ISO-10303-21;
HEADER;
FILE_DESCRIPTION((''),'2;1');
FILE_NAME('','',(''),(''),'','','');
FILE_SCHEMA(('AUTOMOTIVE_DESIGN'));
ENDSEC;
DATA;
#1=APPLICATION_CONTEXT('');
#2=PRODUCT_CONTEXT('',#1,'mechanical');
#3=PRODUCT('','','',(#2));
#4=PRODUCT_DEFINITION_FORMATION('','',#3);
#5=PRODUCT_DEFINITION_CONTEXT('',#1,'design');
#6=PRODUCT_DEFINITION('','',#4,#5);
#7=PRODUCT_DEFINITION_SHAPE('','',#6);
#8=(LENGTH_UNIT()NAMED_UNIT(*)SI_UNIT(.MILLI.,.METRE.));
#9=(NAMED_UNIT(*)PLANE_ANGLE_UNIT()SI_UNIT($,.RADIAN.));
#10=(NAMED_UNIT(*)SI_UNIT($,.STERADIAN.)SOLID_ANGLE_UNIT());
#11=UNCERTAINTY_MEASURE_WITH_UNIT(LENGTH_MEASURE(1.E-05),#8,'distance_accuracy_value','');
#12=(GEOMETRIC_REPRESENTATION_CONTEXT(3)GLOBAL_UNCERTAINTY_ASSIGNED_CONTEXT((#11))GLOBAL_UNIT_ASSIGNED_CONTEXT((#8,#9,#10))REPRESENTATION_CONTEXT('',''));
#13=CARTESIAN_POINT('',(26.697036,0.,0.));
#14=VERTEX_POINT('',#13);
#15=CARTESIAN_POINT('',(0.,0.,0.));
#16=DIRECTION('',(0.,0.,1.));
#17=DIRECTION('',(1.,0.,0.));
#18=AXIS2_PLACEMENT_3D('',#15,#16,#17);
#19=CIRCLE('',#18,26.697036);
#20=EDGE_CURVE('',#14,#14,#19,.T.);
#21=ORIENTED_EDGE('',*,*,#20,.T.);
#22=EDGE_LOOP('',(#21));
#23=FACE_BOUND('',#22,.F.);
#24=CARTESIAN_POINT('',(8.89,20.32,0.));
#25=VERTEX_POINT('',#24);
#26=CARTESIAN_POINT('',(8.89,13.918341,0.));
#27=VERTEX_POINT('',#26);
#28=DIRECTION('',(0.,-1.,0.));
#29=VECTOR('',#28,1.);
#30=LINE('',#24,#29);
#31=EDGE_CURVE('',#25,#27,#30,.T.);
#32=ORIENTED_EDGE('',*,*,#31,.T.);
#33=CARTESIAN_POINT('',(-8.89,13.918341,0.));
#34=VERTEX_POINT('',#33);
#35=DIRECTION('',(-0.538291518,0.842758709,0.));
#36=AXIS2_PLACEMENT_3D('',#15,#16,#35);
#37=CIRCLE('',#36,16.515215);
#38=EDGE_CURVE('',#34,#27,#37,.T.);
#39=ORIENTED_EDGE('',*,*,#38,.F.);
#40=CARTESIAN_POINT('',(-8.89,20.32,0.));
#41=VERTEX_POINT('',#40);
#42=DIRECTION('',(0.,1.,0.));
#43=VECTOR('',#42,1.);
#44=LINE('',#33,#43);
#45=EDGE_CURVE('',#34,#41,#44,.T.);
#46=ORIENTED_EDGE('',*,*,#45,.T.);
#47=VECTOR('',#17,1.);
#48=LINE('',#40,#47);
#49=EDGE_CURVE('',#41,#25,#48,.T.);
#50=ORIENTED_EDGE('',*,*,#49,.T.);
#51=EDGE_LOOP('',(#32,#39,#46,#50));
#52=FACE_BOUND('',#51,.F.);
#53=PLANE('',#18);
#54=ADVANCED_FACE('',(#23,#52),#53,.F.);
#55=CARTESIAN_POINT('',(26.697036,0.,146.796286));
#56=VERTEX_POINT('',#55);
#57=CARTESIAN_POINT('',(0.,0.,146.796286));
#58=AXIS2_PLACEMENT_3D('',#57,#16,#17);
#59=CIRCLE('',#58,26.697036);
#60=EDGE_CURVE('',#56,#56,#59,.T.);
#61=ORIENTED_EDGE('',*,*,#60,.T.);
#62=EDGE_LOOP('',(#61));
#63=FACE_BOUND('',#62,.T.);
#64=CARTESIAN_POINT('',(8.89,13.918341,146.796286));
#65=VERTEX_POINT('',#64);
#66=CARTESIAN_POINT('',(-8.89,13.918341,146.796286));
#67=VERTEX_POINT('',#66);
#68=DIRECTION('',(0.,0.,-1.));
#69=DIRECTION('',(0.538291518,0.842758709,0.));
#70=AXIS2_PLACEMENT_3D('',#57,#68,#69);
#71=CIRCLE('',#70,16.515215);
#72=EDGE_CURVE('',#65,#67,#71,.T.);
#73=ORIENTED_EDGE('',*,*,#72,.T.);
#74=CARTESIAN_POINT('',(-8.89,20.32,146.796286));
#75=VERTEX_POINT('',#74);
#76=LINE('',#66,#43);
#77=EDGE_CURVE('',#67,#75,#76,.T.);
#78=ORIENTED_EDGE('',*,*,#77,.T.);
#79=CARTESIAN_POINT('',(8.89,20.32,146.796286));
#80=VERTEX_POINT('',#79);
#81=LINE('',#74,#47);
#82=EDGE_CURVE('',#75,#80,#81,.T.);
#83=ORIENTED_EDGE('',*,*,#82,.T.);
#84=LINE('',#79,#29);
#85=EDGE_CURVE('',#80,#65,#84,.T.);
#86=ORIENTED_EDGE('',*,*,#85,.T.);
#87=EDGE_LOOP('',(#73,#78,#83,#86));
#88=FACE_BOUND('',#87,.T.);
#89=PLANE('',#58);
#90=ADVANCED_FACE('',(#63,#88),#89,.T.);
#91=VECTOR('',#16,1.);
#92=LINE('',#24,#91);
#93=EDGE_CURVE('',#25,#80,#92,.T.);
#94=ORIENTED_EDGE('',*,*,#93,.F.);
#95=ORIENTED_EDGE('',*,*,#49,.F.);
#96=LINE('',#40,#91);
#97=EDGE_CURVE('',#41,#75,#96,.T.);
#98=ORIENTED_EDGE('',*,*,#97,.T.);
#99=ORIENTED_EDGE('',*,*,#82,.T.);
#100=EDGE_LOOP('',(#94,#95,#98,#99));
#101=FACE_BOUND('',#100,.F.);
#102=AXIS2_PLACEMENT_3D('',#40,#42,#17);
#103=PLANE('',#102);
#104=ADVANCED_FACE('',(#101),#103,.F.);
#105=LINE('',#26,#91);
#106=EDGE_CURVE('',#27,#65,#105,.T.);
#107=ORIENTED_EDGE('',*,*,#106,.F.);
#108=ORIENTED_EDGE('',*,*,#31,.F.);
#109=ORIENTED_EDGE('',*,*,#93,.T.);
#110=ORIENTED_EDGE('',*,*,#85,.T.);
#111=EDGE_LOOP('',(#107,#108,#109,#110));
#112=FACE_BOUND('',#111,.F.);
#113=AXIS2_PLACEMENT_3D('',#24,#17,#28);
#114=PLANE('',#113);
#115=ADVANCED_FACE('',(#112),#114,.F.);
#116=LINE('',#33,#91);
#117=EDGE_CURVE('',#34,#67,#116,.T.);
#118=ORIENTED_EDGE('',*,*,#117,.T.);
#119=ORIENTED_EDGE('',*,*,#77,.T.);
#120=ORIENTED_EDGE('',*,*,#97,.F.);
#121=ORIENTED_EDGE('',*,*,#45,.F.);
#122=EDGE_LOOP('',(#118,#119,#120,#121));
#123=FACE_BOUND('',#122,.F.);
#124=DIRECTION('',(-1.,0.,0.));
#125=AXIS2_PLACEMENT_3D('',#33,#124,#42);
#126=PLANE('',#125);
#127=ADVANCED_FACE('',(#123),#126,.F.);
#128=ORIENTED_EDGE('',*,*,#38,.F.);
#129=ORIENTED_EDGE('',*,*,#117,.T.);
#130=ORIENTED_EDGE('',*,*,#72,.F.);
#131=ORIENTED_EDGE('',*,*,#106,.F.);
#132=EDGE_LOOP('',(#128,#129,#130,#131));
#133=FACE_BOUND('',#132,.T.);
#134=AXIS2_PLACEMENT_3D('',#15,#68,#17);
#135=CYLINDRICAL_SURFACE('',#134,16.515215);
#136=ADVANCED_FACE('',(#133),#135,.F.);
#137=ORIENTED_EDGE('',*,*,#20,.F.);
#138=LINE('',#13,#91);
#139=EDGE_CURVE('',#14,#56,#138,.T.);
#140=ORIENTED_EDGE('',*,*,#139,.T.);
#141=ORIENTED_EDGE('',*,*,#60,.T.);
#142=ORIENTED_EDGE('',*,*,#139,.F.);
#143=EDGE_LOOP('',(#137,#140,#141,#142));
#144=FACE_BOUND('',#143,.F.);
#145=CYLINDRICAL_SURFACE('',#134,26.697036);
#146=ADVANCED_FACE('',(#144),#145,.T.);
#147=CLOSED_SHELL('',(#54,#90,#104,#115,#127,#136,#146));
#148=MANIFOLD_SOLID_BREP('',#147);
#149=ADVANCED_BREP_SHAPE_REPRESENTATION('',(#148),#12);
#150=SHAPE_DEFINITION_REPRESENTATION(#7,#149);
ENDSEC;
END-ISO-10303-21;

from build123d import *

# Parameters (mm, degrees)
F0_R     = 26.697036
F0_R_2   = 16.515215
F1_DEPTH = 146.796286
F3_DEPTH = 146.796286


with BuildPart() as f1:
    # F0 (on Top) → F1 (new body)
    with BuildSketch(Plane.XY):
        Circle(F0_R)
        Circle(F0_R_2, mode=Mode.SUBTRACT)
    extrude(amount=F1_DEPTH)

    # F2 (on face) → F3 (cut, through all)
    with BuildSketch(Plane(origin=(0, 0, 0), x_dir=(1, 0, 0), z_dir=(0, 0, -1))):
        with BuildLine():
            Line((-8.89, -20.32), (8.89, -20.32))
            Line((8.89, -20.32), (8.89, -13.918341))
            ThreePointArc((8.89, -13.918341), (0, -16.515215), (-8.89, -13.918341))
            Line((-8.89, -13.918341), (-8.89, -20.32))
        make_face()
    extrude(amount=-F3_DEPTH, mode=Mode.SUBTRACT)


solid = f1.part
